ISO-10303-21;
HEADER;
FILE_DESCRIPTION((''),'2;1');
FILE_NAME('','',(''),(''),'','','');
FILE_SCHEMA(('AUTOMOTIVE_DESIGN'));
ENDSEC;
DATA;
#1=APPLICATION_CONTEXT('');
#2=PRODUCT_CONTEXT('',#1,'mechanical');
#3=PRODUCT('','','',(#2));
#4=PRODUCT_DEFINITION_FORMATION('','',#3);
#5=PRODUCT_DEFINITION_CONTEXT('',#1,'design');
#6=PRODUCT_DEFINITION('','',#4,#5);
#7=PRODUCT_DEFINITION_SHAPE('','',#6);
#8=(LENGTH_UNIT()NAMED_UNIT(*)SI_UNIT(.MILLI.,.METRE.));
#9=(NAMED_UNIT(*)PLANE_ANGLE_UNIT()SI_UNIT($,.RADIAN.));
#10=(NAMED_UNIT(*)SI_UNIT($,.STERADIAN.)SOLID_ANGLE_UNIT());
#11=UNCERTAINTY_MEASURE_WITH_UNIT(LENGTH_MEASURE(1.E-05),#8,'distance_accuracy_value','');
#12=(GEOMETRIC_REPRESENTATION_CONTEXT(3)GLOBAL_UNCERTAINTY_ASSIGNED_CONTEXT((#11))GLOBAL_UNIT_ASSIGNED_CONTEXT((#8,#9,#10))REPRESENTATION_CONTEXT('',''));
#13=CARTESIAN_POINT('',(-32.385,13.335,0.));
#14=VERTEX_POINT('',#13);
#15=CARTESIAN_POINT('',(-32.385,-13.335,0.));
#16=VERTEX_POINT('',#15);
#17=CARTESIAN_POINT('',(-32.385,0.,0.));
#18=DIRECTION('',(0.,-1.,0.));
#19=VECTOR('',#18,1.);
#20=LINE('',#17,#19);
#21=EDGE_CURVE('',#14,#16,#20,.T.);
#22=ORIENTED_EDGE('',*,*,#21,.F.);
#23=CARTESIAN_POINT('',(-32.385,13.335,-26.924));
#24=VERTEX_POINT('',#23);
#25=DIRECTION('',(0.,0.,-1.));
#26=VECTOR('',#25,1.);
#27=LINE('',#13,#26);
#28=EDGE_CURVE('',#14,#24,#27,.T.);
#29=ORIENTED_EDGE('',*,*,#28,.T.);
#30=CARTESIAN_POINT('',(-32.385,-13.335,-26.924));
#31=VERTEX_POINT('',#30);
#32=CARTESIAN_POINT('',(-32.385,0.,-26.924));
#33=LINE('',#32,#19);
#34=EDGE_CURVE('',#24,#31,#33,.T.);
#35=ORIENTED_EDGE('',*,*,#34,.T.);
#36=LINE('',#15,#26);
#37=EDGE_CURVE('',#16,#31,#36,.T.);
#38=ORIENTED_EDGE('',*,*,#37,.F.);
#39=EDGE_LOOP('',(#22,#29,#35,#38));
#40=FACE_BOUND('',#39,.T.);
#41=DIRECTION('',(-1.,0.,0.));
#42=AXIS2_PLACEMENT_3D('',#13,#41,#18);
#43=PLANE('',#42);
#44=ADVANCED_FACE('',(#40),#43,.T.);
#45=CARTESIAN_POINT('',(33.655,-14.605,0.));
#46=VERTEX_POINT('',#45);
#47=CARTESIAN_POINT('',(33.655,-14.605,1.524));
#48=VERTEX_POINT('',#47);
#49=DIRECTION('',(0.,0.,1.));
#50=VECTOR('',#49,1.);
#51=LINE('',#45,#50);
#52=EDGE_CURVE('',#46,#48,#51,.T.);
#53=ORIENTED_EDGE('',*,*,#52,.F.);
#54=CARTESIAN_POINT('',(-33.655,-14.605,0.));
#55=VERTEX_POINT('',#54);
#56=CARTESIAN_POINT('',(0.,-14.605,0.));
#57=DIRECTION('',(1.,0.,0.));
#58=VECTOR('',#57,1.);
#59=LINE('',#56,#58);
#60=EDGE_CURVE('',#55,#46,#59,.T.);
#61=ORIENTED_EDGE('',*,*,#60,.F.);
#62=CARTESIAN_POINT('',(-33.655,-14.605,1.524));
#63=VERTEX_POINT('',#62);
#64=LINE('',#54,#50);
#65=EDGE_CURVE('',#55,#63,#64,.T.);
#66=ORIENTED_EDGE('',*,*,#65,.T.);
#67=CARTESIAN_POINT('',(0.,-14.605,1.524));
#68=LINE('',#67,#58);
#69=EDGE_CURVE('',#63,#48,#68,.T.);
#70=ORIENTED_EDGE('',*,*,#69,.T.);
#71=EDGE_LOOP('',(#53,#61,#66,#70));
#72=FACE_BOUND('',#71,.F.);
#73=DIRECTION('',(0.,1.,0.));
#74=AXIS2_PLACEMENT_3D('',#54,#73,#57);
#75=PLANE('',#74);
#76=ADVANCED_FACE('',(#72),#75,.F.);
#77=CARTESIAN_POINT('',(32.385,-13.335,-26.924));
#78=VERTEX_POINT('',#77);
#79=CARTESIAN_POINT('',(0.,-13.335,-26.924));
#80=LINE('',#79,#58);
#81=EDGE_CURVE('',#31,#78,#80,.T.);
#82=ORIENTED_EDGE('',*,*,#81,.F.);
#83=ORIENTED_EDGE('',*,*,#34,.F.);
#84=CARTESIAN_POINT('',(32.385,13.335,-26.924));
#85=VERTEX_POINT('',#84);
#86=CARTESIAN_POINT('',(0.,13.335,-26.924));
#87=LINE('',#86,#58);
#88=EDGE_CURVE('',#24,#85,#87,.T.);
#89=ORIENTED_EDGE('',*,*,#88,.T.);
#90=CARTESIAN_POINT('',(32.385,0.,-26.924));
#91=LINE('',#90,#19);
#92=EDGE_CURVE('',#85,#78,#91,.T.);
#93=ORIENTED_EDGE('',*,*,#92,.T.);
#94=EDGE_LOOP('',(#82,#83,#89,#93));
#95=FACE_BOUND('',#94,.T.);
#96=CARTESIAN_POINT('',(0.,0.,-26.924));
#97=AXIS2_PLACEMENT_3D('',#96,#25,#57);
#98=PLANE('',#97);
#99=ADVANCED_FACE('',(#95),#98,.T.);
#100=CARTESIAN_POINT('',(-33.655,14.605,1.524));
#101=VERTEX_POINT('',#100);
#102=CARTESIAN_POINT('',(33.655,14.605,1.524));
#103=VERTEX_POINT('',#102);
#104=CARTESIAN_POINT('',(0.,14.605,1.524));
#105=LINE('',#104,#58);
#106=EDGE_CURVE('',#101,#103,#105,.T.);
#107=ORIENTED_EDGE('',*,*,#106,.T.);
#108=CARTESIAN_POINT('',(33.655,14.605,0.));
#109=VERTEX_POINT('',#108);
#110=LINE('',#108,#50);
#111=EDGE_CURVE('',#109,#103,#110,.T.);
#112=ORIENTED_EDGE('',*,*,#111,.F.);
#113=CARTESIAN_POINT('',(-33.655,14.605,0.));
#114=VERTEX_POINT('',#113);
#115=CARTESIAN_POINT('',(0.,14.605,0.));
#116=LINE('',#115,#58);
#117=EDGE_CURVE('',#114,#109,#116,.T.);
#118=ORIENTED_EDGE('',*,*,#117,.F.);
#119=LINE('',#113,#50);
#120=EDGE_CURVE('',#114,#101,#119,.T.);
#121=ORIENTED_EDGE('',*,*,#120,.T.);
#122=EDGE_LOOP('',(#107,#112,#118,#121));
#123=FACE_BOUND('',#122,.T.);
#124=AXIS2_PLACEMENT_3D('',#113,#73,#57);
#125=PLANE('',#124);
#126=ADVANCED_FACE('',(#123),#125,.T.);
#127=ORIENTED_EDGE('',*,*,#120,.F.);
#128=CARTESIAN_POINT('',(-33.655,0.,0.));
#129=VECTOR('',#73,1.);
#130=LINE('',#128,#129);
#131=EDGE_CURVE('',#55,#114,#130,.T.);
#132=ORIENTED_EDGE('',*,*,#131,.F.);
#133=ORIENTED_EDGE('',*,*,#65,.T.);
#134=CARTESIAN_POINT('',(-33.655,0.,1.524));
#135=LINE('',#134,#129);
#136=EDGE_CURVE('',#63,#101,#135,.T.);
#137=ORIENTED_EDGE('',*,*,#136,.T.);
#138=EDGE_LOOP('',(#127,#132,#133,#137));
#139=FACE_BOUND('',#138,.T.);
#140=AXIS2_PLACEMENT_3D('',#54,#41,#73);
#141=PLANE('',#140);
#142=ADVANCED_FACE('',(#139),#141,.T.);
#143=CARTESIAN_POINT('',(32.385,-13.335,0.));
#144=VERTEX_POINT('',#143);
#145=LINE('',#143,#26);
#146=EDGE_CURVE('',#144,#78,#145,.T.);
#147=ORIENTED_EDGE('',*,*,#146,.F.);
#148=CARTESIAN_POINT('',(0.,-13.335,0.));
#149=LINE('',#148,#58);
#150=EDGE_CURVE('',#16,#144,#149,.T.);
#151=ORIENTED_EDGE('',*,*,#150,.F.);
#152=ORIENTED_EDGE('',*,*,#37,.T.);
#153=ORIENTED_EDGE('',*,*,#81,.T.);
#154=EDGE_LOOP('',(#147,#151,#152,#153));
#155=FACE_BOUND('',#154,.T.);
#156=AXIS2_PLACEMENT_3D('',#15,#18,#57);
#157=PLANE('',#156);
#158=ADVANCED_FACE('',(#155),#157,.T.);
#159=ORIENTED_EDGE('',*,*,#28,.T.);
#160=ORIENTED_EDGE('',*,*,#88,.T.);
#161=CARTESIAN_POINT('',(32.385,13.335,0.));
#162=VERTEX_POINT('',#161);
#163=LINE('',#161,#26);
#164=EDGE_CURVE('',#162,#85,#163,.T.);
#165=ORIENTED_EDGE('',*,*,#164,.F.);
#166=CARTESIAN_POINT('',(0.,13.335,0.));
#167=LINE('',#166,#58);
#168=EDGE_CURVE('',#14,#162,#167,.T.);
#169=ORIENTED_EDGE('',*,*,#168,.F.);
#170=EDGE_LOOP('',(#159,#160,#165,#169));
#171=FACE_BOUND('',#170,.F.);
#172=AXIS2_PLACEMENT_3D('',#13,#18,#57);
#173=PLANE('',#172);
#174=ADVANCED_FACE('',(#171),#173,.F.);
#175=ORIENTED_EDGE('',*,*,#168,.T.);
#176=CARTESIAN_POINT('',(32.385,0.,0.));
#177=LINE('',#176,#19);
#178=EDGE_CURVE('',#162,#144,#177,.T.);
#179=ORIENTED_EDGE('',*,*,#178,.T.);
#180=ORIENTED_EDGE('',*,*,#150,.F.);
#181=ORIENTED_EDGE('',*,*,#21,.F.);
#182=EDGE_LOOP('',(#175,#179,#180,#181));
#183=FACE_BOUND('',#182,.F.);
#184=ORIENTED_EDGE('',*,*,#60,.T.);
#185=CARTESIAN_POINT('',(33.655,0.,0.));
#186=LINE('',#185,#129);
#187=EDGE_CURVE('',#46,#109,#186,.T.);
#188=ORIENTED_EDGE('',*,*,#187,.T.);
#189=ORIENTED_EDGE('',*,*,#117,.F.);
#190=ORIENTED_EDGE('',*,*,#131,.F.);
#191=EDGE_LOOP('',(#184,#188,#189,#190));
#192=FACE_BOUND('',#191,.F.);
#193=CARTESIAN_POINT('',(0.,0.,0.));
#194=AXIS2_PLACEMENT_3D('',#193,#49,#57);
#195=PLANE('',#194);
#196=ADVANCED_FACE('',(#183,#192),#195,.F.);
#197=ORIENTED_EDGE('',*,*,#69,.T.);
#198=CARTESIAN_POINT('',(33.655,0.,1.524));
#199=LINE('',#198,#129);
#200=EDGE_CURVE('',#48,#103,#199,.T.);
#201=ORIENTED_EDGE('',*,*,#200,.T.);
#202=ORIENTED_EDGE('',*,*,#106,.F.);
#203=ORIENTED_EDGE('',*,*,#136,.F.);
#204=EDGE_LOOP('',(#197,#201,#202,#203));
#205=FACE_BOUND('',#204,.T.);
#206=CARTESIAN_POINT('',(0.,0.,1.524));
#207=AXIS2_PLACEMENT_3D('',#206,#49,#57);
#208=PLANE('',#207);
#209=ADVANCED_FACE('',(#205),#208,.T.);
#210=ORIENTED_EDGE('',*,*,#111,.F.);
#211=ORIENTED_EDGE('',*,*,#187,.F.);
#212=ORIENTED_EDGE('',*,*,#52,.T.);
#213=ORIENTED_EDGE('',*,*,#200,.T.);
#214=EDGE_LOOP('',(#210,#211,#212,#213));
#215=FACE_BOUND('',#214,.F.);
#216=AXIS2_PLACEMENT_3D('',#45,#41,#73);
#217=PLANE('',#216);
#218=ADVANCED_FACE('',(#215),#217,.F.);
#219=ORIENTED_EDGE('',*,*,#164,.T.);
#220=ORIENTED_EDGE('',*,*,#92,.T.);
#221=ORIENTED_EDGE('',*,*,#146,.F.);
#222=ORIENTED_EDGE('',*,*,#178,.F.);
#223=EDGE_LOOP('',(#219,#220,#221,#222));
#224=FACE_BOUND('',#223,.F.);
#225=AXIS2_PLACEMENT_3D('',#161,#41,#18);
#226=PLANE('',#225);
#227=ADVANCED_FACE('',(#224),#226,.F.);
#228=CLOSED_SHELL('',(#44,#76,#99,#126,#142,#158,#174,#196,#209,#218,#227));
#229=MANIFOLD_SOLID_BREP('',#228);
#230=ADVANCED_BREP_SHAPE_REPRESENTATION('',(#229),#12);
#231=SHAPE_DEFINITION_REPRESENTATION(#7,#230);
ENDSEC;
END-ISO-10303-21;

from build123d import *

# Parameters (mm, degrees)
F0_W     = 67.31
F0_H     = 29.21
F1_DEPTH = 1.524
F2_W     = 64.77
F2_H     = 26.67
F3_DEPTH = 26.924


with BuildPart() as f1:
    # F0 (on Top) → F1 (new body)
    with BuildSketch(Plane.XY):
        Rectangle(F0_W, F0_H)
    extrude(amount=F1_DEPTH)

    # F2 (on face) → F3 (join)
    with BuildSketch(Plane(origin=(0, 0, 0), x_dir=(1, 0, 0), z_dir=(0, 0, -1))):
        Rectangle(F2_W, F2_H)
    extrude(amount=F3_DEPTH)


solid = f1.part
